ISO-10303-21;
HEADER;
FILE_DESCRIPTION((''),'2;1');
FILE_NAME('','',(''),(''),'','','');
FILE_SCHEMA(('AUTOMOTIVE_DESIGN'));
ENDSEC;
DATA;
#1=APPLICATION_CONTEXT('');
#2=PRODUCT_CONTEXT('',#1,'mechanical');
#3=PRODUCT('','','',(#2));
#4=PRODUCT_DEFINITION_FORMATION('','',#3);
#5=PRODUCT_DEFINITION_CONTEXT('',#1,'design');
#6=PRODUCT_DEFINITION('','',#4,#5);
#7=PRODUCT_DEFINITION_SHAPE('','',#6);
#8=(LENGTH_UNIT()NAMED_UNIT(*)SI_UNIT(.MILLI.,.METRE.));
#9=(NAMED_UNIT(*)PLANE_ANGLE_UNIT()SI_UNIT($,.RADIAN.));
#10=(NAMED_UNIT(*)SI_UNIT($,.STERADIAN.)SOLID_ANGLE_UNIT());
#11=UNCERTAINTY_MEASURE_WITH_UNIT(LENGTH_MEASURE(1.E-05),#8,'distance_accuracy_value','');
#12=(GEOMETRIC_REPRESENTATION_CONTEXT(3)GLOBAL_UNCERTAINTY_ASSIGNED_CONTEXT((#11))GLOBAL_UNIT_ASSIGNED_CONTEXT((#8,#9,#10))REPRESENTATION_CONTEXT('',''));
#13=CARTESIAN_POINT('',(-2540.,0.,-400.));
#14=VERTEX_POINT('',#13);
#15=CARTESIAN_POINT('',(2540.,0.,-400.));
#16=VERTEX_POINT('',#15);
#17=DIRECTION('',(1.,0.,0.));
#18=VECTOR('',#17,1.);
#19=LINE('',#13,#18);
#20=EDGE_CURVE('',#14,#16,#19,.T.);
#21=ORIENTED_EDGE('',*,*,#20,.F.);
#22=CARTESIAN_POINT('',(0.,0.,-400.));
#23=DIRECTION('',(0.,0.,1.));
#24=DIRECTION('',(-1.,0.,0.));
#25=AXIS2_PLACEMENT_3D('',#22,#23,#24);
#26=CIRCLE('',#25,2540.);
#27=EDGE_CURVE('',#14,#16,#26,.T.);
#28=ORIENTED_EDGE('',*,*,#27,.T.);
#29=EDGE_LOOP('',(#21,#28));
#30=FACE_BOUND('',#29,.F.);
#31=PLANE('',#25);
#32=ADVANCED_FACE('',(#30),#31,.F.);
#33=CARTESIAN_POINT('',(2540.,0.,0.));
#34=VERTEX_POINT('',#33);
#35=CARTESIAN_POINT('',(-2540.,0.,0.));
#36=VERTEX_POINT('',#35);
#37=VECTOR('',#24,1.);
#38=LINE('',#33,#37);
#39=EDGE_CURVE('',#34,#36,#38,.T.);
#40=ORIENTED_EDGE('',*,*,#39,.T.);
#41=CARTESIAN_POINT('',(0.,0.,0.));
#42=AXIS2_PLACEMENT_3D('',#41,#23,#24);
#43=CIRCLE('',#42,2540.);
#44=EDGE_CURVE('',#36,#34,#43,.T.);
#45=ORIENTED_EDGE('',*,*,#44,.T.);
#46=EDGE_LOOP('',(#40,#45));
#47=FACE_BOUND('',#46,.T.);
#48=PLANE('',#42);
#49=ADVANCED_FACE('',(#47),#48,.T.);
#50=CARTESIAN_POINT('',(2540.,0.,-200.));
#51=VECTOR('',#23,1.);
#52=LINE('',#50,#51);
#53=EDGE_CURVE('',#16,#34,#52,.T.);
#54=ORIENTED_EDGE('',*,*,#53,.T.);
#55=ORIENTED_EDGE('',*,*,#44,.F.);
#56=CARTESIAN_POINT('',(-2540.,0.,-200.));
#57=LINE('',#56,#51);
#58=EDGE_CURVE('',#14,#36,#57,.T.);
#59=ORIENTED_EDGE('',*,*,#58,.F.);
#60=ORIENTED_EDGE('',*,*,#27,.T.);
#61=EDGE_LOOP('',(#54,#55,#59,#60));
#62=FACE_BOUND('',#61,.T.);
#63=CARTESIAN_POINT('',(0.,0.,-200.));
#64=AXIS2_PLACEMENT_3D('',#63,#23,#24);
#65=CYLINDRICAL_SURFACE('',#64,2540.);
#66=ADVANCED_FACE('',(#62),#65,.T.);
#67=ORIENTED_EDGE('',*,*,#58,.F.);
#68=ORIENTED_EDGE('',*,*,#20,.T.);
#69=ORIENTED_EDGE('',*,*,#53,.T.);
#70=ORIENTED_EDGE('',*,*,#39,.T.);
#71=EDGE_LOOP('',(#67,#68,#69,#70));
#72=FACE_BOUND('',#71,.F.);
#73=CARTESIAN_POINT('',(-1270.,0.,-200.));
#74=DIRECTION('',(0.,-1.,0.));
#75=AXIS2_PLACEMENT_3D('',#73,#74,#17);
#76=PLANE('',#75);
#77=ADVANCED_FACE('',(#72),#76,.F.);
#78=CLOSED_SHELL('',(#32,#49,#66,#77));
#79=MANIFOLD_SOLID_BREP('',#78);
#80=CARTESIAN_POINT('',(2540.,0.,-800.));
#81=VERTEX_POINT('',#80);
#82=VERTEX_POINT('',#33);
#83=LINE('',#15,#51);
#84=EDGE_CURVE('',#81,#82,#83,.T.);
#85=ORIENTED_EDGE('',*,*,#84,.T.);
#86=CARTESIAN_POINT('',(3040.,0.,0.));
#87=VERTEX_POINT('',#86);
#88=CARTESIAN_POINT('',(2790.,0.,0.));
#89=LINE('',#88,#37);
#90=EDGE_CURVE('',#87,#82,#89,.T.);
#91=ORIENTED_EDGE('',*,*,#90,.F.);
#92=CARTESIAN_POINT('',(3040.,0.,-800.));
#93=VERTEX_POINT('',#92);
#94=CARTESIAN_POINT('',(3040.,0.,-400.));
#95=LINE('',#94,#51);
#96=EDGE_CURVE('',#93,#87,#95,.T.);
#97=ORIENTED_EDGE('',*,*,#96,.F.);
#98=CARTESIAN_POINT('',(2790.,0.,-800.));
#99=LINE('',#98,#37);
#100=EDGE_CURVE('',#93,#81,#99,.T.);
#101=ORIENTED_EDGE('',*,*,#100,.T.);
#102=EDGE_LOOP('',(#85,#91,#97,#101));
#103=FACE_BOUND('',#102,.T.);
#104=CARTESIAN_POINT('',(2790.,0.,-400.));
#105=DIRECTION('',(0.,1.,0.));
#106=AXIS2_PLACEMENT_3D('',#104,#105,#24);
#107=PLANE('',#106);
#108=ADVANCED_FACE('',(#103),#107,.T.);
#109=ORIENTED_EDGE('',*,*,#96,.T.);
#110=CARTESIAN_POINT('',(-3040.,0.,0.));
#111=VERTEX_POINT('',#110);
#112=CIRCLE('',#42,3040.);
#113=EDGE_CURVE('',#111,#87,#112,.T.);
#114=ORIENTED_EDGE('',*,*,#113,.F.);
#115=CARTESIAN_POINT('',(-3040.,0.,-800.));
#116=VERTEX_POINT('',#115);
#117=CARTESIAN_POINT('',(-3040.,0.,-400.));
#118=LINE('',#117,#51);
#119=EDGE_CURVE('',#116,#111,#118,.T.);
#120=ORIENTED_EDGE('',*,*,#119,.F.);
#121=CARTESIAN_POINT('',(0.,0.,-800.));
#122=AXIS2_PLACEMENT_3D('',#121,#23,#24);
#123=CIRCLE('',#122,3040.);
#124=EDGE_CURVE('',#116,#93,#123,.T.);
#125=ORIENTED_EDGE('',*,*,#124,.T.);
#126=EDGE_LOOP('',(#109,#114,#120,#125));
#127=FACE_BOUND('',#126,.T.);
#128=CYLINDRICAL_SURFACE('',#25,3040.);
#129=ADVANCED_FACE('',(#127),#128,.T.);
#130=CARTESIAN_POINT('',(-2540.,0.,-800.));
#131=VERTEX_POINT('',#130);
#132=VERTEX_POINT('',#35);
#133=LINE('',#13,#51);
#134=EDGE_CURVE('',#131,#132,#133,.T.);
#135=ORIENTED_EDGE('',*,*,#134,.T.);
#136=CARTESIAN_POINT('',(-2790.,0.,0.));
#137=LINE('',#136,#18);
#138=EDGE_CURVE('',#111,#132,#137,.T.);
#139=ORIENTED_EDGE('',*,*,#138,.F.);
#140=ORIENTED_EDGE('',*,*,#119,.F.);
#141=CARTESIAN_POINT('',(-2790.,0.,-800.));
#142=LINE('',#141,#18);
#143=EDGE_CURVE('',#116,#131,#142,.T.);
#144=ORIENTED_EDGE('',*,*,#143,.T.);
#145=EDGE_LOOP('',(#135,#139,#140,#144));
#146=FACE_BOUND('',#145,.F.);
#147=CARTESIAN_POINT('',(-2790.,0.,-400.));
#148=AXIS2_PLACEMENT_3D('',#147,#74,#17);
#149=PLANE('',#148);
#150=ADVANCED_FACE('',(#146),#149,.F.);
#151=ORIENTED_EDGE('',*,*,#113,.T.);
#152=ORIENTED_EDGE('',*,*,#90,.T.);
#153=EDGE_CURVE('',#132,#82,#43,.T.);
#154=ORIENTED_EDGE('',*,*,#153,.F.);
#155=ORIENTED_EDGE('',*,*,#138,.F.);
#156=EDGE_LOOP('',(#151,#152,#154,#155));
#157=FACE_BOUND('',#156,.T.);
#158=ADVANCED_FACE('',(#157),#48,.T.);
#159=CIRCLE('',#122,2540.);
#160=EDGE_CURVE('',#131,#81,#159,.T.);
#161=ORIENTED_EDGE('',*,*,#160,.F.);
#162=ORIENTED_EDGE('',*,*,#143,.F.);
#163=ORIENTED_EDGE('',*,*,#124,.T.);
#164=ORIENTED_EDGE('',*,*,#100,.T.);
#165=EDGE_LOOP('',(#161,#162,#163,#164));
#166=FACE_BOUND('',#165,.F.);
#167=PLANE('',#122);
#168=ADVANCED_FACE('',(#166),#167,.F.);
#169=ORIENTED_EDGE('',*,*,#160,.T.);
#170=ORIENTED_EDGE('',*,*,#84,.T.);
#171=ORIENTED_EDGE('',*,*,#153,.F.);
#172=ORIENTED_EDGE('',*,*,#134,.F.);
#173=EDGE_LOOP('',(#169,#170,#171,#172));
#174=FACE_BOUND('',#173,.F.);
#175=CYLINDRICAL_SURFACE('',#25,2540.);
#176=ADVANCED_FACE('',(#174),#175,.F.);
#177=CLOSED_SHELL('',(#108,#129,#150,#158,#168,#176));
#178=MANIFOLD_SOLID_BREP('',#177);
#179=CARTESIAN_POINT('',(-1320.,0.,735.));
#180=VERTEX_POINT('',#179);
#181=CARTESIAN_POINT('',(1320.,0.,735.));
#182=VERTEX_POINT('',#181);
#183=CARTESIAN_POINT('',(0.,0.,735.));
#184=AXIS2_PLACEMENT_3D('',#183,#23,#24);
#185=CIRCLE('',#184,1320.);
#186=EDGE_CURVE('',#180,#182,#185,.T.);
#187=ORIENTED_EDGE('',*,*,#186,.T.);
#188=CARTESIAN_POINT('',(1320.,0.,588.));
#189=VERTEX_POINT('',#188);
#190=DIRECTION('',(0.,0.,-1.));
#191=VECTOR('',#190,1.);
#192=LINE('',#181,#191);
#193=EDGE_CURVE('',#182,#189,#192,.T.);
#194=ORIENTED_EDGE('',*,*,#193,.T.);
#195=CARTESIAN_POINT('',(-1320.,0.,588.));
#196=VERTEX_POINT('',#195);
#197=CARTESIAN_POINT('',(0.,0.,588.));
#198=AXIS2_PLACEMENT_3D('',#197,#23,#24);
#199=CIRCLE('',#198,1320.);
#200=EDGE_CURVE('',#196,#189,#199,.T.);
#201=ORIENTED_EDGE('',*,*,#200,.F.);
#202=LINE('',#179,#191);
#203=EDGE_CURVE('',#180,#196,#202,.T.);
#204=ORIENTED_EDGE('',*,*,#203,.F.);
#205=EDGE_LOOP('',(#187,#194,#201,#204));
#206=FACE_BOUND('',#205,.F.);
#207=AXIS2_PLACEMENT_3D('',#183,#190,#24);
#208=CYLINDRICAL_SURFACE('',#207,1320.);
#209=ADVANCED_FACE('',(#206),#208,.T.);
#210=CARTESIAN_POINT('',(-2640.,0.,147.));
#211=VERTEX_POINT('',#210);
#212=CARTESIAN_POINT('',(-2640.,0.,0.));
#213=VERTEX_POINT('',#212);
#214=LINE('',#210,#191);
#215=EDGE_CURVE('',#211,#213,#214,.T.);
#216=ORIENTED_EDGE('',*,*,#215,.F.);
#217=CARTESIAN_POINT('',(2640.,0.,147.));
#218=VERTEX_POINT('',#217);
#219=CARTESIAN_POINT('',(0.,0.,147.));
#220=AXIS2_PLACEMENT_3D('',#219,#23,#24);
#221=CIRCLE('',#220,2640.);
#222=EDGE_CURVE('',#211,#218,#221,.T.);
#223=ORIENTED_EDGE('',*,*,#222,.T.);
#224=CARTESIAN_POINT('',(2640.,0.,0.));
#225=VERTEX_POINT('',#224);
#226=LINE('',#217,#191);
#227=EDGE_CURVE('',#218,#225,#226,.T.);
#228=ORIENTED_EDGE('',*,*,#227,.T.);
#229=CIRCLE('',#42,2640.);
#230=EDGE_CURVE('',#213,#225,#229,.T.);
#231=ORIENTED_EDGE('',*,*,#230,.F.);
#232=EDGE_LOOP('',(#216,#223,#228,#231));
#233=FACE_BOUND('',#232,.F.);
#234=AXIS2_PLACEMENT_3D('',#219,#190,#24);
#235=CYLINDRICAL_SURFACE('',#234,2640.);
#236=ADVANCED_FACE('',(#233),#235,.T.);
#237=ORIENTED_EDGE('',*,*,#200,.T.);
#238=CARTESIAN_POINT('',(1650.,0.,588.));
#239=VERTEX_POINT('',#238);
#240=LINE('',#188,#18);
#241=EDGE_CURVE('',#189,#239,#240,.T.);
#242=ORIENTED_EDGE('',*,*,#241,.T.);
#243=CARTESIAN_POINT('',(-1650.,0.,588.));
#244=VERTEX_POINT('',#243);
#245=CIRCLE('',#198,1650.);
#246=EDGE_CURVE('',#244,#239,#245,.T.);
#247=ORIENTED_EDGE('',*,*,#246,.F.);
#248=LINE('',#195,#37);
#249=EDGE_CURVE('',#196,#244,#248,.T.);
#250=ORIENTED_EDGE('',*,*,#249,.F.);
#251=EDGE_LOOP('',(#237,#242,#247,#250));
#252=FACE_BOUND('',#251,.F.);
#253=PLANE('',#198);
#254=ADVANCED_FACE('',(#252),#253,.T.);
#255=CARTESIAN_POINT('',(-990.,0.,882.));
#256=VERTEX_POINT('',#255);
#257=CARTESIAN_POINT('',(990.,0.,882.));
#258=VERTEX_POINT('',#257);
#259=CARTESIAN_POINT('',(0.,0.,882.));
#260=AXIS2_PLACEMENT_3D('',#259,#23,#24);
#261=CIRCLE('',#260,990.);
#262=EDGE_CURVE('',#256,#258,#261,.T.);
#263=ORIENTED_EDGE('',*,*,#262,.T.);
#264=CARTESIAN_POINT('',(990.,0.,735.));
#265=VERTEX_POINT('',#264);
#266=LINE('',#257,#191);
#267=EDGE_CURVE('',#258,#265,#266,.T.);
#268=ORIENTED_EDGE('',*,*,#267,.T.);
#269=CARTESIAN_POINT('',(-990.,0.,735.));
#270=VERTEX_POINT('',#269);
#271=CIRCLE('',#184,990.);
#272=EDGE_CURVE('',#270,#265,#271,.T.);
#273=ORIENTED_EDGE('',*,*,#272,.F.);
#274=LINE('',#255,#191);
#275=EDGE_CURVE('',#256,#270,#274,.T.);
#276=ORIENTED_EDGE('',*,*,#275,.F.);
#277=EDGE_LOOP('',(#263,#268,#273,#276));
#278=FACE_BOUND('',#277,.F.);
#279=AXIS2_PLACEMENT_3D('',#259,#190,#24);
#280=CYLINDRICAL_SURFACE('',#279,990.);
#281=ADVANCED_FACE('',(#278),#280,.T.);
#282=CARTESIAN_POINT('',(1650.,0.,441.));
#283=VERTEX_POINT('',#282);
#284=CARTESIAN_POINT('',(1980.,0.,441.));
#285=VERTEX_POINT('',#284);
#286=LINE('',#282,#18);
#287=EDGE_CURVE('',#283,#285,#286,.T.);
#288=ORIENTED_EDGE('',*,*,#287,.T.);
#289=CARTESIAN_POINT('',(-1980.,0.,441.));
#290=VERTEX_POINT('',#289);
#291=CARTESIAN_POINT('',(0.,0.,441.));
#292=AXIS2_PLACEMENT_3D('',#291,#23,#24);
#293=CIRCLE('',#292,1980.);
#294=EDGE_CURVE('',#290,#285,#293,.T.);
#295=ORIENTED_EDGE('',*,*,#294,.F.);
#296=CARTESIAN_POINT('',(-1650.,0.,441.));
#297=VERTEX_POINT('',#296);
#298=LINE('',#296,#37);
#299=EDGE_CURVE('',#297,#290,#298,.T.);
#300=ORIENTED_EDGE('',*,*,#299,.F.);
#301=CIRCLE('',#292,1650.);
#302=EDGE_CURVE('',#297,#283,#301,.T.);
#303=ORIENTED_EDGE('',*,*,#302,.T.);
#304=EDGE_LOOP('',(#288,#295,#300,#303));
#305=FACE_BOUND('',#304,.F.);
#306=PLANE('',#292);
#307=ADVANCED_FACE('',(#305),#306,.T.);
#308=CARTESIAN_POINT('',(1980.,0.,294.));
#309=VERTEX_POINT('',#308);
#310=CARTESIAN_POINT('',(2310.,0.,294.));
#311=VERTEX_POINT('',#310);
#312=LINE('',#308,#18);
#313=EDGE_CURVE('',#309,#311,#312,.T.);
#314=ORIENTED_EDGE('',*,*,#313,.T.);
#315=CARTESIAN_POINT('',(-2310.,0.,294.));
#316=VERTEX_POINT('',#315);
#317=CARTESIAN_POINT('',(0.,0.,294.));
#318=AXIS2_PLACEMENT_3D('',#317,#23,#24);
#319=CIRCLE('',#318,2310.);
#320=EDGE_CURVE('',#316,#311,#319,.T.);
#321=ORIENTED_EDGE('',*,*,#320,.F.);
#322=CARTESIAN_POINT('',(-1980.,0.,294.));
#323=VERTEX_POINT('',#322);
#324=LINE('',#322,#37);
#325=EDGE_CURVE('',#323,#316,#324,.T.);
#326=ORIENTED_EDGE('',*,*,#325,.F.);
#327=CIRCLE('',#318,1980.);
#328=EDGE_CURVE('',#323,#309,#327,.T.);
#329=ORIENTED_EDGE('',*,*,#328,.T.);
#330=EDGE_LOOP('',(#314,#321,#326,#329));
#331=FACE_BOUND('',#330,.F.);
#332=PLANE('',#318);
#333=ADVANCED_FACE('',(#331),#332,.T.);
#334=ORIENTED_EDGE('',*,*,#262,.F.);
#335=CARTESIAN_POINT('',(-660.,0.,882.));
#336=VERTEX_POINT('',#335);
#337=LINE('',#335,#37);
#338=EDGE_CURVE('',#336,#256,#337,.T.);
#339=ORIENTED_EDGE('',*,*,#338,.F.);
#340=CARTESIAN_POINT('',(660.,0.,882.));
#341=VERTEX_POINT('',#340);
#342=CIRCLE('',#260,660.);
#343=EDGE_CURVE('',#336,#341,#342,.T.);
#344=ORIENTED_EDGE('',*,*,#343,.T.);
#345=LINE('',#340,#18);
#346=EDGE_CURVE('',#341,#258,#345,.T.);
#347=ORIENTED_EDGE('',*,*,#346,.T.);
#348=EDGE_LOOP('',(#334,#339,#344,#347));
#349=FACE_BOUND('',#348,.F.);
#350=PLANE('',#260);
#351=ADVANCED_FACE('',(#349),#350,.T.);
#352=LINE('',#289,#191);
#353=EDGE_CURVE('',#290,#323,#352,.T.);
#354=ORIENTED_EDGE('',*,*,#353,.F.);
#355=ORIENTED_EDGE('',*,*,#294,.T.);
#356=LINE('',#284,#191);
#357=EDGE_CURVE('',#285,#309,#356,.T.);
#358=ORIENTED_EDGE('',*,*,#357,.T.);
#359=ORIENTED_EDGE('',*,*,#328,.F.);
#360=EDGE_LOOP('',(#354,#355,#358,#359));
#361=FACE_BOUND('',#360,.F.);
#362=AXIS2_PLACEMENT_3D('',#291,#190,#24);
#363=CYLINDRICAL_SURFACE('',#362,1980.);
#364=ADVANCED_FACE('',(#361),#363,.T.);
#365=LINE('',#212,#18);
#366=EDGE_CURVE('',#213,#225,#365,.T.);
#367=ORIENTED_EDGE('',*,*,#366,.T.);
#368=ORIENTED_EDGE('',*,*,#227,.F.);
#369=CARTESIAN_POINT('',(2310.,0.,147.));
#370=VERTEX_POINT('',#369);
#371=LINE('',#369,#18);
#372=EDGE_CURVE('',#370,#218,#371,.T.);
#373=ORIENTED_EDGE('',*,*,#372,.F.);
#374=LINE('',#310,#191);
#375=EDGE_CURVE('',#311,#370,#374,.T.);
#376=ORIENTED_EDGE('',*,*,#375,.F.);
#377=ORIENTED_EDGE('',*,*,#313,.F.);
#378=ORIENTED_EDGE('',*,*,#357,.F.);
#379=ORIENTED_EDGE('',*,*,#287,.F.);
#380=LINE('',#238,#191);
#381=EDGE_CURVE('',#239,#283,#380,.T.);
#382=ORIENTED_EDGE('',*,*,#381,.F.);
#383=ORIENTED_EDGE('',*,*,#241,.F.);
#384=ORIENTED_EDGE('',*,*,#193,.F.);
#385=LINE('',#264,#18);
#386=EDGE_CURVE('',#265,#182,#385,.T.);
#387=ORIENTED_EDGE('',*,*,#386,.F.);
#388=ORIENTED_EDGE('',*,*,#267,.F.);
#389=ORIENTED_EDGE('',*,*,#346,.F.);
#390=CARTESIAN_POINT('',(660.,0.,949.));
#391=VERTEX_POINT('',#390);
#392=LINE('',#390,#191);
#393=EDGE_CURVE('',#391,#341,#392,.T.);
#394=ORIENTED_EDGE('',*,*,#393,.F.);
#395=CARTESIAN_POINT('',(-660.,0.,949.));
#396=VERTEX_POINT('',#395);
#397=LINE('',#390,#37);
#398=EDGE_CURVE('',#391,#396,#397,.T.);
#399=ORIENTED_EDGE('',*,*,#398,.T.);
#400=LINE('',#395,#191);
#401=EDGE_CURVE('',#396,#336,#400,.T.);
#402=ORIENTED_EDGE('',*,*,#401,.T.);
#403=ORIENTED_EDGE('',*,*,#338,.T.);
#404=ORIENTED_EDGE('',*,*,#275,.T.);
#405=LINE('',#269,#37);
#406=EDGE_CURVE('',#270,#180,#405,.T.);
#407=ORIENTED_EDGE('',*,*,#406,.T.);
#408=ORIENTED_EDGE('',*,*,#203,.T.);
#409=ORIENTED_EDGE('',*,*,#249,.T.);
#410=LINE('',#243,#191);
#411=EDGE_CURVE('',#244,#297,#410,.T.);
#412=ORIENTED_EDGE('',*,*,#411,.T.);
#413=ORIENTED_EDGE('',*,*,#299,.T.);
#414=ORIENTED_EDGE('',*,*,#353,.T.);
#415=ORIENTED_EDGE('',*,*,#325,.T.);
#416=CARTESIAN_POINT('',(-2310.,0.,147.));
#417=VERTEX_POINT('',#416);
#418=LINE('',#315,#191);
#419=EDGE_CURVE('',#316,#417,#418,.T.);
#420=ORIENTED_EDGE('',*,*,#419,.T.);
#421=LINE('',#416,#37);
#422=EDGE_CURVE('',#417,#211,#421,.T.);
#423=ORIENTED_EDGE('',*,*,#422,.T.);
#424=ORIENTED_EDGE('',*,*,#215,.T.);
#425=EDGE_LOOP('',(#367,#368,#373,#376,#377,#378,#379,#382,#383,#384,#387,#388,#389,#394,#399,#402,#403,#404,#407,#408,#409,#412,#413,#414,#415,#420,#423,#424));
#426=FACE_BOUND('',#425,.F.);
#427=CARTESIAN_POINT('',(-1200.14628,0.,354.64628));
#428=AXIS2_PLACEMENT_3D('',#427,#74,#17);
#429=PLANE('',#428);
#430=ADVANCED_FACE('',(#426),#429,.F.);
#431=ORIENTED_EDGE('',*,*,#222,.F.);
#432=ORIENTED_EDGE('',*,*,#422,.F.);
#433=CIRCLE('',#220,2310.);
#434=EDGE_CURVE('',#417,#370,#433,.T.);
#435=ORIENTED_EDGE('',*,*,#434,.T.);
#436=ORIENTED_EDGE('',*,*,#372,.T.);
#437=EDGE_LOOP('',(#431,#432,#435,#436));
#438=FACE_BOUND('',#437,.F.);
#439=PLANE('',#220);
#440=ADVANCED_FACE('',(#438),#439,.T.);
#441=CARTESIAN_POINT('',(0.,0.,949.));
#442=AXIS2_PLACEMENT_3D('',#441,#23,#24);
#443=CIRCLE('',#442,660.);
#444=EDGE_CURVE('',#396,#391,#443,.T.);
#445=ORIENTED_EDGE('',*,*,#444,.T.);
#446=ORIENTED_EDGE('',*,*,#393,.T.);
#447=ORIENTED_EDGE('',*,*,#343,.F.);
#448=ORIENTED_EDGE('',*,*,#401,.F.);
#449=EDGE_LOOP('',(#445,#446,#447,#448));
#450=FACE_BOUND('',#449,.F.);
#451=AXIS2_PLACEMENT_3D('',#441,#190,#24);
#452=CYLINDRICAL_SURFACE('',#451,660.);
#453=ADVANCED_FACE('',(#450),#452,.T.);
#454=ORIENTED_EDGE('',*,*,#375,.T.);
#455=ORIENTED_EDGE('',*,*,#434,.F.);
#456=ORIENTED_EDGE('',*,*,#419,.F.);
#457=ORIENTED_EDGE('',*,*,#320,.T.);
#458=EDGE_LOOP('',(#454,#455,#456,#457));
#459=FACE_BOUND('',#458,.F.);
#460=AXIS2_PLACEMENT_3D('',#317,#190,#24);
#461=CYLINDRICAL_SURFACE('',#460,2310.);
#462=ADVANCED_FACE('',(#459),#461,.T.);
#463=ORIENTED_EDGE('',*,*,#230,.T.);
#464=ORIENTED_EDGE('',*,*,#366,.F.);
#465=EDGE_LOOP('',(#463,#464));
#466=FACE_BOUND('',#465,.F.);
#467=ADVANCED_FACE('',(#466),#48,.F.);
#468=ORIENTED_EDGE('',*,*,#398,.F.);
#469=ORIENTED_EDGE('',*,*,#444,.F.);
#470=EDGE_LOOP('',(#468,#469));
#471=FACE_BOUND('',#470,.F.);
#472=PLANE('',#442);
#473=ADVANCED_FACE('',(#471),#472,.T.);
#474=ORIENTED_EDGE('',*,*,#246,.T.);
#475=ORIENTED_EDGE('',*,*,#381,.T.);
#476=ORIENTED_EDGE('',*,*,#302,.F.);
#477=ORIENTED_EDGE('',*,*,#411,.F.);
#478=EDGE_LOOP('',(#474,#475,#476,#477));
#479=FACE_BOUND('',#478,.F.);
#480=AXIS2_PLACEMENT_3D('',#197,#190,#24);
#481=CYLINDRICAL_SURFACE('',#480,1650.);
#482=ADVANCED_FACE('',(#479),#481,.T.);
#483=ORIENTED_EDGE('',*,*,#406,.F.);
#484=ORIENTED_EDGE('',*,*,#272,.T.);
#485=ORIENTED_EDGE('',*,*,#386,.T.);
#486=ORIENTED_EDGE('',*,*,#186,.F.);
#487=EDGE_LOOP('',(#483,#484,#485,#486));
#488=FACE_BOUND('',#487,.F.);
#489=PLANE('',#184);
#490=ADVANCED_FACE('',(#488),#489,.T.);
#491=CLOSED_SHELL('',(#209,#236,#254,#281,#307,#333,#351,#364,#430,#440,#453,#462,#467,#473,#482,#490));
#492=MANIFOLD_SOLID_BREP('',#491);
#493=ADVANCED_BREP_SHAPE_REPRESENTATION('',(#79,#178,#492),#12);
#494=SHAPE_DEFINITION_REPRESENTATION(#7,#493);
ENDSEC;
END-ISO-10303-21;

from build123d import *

# Parameters (mm, degrees)
F1_ANGLE = 180
F2_W     = 500
F2_H     = 800
F3_ANGLE = 180
F4_W     = 2540
F4_H     = 400
F5_ANGLE = -180


with BuildPart() as f1:
    # F0 (on Front) → F1 (revolve)
    with BuildSketch(Plane.XZ):
        Polygon((-660, 949), (-660, 882), (-990, 882), (-990, 735), (-1320, 735), (-1320, 588), (-1650, 588), (-1650, 441), (-1980, 441), (-1980, 294), (-2310, 294), (-2310, 147), (-2640, 147), (-2640, 0), (0, 0), (0, 949), align=None)
    revolve(axis=Axis((0, 0, 474.5), (0, 0, 1)), revolution_arc=F1_ANGLE)


with BuildPart() as f3:
    # F2 (on Front) → F3 (revolve)
    with BuildSketch(Plane.XZ):
        with Locations((-2790, -400)):
            Rectangle(F2_W, F2_H)
    revolve(axis=Axis((0, 0, 474.5), (0, 0, 1)), revolution_arc=F3_ANGLE)


with BuildPart() as f5:
    # F4 (on Front) → F5 (revolve)
    with BuildSketch(Plane.XZ):
        with Locations((-1270, -200)):
            Rectangle(F4_W, F4_H)
    revolve(axis=Axis((0, 0, -200), (0, 0, -1)), revolution_arc=F5_ANGLE)


solid = Compound([f1.part, f3.part, f5.part])
